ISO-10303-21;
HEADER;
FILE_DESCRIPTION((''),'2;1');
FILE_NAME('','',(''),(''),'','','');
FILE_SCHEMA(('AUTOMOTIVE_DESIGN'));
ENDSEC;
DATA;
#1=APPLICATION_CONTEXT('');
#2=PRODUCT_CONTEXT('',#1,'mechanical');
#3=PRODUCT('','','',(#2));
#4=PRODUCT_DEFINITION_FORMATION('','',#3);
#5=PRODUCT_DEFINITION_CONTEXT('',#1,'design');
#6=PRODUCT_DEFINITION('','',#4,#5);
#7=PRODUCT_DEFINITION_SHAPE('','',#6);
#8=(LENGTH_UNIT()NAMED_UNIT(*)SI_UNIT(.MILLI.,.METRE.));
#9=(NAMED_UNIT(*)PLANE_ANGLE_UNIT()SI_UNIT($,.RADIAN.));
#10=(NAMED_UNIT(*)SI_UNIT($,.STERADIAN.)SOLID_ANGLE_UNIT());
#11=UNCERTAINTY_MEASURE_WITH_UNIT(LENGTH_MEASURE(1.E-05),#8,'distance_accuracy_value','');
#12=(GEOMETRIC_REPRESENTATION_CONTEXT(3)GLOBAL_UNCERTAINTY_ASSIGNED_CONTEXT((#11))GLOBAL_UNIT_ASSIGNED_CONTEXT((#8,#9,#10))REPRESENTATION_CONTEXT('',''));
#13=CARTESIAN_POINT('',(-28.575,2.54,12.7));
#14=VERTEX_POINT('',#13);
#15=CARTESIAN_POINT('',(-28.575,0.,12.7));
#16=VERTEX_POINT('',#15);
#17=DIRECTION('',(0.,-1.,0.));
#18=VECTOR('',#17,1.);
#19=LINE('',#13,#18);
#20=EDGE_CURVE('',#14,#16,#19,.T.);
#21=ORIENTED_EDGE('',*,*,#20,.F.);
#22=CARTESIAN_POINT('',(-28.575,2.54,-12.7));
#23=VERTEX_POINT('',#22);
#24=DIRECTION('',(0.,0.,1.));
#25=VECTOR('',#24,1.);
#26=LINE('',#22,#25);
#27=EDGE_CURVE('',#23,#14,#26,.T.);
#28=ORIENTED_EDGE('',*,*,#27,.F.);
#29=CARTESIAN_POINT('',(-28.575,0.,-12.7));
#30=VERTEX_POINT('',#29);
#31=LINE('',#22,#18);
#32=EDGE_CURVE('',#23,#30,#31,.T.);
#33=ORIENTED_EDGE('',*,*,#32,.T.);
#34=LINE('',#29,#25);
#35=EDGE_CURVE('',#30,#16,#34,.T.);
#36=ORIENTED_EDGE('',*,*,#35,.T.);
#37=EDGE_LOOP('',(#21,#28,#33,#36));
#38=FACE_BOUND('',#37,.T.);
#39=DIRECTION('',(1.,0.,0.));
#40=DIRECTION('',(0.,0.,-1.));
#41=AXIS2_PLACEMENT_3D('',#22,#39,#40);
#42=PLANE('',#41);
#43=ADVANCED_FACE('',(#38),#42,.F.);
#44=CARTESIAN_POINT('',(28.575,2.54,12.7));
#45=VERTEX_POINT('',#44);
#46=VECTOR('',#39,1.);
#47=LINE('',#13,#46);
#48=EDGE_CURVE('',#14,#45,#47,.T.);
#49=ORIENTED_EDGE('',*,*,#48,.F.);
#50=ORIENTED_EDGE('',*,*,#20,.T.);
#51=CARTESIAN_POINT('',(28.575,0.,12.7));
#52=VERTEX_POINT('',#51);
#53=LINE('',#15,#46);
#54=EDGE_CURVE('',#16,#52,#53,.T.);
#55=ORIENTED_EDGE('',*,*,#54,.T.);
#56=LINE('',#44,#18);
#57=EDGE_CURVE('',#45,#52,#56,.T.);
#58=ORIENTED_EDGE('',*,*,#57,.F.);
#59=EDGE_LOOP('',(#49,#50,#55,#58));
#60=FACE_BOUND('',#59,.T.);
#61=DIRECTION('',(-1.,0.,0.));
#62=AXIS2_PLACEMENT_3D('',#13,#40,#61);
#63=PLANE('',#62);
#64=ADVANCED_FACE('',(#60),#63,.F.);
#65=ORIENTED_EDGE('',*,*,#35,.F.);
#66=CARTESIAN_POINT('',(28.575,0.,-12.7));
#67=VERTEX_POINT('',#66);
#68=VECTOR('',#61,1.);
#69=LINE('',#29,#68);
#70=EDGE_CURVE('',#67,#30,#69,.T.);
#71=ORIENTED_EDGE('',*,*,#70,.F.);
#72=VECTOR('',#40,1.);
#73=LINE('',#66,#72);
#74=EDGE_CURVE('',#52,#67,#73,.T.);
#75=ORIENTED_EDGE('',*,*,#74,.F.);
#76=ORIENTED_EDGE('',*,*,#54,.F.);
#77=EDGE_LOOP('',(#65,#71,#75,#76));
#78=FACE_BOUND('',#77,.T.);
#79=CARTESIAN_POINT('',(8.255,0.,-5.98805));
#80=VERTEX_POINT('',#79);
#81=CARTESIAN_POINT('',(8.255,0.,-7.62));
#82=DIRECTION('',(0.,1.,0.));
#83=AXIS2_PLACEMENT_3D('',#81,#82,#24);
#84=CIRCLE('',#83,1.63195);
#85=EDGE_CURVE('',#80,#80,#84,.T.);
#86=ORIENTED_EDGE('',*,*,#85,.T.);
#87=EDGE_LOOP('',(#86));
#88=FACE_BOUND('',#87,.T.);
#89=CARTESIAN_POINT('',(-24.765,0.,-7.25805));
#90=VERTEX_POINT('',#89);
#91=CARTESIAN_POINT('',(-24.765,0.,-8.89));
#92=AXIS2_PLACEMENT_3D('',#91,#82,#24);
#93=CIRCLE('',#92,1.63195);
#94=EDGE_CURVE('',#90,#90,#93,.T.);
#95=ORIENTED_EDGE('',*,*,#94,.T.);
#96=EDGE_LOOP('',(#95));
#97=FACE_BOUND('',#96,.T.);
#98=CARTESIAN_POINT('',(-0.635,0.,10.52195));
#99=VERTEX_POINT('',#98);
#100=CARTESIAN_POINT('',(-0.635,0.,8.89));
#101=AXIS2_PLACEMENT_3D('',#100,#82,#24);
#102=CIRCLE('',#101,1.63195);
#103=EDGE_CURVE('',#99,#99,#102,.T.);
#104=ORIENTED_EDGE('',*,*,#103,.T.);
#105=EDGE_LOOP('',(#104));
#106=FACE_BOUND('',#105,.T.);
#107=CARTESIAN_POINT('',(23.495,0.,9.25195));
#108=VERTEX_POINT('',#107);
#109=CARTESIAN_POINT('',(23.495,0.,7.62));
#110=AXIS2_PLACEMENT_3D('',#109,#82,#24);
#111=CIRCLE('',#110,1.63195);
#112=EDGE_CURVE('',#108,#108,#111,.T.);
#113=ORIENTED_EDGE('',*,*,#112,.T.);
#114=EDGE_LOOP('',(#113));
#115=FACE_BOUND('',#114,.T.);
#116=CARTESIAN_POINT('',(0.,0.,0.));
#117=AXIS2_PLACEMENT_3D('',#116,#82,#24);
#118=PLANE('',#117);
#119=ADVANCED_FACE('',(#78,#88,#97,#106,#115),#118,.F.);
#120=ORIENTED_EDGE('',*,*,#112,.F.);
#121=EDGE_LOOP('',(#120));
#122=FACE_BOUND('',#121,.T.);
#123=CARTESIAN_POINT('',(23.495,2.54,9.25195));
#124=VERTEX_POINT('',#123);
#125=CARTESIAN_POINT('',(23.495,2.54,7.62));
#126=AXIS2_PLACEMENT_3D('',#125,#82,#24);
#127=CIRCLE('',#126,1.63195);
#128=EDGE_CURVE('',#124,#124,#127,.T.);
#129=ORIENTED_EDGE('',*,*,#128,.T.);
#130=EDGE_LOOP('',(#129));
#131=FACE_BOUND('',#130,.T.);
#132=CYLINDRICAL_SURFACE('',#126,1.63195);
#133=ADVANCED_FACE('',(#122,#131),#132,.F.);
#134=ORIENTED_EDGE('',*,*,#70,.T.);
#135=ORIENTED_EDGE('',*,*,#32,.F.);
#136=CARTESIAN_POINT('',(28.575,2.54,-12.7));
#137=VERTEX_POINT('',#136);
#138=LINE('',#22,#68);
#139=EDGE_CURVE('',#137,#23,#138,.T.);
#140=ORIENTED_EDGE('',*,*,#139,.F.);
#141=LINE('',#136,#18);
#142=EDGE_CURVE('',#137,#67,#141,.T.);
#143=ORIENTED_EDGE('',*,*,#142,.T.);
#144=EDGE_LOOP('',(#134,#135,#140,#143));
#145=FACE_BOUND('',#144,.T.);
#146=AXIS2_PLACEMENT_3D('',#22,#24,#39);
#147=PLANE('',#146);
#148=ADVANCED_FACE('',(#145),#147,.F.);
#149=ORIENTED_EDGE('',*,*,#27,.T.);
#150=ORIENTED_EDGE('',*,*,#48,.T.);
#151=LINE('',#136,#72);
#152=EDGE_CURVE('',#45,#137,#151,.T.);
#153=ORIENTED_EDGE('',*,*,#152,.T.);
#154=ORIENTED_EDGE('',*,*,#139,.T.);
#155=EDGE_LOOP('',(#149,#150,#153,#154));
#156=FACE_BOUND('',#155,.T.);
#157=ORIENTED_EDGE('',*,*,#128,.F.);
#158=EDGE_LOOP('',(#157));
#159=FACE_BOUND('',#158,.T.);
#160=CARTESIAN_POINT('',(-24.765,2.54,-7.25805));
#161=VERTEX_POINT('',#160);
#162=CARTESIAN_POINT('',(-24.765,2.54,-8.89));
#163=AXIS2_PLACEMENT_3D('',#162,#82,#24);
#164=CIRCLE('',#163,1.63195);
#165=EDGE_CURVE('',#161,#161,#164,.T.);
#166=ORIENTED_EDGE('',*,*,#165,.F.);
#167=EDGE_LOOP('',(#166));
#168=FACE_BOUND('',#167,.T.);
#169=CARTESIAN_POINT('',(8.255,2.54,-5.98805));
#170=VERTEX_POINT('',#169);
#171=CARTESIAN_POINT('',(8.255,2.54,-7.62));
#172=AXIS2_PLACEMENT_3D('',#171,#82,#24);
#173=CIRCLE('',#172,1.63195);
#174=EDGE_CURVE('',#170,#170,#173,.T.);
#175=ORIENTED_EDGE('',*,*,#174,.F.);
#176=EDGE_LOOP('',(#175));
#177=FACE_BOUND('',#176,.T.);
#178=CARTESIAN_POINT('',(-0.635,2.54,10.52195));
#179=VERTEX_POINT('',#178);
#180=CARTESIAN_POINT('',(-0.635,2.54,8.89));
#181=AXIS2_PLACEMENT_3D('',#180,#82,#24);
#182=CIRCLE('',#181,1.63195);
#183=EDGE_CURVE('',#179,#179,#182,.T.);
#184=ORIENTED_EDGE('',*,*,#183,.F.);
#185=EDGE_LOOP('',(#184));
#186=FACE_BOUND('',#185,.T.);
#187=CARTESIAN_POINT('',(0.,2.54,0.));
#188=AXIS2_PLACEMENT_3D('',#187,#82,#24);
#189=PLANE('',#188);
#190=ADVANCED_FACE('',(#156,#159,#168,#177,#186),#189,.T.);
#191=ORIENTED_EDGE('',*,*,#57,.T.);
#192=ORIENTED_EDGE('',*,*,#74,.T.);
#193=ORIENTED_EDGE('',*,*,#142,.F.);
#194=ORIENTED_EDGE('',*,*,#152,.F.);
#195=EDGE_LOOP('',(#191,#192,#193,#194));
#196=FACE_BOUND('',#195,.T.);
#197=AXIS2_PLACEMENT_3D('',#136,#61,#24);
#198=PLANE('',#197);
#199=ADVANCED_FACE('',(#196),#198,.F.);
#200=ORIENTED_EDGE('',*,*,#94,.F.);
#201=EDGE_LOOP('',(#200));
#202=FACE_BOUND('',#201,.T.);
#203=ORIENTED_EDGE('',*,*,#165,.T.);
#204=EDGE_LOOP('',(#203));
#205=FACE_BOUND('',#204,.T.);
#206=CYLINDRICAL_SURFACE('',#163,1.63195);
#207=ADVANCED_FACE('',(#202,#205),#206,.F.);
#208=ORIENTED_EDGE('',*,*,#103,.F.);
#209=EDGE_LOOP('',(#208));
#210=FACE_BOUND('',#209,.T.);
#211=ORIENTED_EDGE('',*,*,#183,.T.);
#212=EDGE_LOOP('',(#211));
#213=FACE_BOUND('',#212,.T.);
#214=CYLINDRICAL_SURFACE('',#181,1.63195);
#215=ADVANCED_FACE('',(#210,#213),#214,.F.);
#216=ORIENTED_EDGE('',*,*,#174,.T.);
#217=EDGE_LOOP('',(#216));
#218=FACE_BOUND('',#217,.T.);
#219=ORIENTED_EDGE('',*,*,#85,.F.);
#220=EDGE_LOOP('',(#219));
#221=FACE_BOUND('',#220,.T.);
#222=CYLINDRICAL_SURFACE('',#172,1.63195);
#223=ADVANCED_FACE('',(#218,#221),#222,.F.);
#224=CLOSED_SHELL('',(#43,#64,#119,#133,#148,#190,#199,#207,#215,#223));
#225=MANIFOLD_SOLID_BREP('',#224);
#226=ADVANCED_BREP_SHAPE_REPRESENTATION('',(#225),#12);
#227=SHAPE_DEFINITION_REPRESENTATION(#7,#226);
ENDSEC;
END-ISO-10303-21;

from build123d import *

# Parameters (mm, degrees)
SKETCH1_W             = 57.15
SKETCH1_H             = 25.4
BOSS_EXTRUDE1_DEPTH   = 2.54
F_4_CLEARANCE_HOLE1_D = 3.2639


with BuildPart() as part:
    # Sketch1 → Boss-Extrude1 (new body)
    with BuildSketch(Plane(origin=(0, 0, 0), x_dir=(1, 0, 0), z_dir=(0, 1, 0))):
        Rectangle(SKETCH1_W, SKETCH1_H)
    extrude(amount=BOSS_EXTRUDE1_DEPTH)

    # #4 Clearance Hole1 (through all)
    with Locations(Plane(origin=(0, 2.54, 0), x_dir=(1, 0, 0), z_dir=(0, 1, 0))):
        with Locations((-24.765, 8.89), (-0.635, -8.89), (8.255, 7.62), (23.495, -7.62)):
            Hole(F_4_CLEARANCE_HOLE1_D / 2)


solid = part.part
